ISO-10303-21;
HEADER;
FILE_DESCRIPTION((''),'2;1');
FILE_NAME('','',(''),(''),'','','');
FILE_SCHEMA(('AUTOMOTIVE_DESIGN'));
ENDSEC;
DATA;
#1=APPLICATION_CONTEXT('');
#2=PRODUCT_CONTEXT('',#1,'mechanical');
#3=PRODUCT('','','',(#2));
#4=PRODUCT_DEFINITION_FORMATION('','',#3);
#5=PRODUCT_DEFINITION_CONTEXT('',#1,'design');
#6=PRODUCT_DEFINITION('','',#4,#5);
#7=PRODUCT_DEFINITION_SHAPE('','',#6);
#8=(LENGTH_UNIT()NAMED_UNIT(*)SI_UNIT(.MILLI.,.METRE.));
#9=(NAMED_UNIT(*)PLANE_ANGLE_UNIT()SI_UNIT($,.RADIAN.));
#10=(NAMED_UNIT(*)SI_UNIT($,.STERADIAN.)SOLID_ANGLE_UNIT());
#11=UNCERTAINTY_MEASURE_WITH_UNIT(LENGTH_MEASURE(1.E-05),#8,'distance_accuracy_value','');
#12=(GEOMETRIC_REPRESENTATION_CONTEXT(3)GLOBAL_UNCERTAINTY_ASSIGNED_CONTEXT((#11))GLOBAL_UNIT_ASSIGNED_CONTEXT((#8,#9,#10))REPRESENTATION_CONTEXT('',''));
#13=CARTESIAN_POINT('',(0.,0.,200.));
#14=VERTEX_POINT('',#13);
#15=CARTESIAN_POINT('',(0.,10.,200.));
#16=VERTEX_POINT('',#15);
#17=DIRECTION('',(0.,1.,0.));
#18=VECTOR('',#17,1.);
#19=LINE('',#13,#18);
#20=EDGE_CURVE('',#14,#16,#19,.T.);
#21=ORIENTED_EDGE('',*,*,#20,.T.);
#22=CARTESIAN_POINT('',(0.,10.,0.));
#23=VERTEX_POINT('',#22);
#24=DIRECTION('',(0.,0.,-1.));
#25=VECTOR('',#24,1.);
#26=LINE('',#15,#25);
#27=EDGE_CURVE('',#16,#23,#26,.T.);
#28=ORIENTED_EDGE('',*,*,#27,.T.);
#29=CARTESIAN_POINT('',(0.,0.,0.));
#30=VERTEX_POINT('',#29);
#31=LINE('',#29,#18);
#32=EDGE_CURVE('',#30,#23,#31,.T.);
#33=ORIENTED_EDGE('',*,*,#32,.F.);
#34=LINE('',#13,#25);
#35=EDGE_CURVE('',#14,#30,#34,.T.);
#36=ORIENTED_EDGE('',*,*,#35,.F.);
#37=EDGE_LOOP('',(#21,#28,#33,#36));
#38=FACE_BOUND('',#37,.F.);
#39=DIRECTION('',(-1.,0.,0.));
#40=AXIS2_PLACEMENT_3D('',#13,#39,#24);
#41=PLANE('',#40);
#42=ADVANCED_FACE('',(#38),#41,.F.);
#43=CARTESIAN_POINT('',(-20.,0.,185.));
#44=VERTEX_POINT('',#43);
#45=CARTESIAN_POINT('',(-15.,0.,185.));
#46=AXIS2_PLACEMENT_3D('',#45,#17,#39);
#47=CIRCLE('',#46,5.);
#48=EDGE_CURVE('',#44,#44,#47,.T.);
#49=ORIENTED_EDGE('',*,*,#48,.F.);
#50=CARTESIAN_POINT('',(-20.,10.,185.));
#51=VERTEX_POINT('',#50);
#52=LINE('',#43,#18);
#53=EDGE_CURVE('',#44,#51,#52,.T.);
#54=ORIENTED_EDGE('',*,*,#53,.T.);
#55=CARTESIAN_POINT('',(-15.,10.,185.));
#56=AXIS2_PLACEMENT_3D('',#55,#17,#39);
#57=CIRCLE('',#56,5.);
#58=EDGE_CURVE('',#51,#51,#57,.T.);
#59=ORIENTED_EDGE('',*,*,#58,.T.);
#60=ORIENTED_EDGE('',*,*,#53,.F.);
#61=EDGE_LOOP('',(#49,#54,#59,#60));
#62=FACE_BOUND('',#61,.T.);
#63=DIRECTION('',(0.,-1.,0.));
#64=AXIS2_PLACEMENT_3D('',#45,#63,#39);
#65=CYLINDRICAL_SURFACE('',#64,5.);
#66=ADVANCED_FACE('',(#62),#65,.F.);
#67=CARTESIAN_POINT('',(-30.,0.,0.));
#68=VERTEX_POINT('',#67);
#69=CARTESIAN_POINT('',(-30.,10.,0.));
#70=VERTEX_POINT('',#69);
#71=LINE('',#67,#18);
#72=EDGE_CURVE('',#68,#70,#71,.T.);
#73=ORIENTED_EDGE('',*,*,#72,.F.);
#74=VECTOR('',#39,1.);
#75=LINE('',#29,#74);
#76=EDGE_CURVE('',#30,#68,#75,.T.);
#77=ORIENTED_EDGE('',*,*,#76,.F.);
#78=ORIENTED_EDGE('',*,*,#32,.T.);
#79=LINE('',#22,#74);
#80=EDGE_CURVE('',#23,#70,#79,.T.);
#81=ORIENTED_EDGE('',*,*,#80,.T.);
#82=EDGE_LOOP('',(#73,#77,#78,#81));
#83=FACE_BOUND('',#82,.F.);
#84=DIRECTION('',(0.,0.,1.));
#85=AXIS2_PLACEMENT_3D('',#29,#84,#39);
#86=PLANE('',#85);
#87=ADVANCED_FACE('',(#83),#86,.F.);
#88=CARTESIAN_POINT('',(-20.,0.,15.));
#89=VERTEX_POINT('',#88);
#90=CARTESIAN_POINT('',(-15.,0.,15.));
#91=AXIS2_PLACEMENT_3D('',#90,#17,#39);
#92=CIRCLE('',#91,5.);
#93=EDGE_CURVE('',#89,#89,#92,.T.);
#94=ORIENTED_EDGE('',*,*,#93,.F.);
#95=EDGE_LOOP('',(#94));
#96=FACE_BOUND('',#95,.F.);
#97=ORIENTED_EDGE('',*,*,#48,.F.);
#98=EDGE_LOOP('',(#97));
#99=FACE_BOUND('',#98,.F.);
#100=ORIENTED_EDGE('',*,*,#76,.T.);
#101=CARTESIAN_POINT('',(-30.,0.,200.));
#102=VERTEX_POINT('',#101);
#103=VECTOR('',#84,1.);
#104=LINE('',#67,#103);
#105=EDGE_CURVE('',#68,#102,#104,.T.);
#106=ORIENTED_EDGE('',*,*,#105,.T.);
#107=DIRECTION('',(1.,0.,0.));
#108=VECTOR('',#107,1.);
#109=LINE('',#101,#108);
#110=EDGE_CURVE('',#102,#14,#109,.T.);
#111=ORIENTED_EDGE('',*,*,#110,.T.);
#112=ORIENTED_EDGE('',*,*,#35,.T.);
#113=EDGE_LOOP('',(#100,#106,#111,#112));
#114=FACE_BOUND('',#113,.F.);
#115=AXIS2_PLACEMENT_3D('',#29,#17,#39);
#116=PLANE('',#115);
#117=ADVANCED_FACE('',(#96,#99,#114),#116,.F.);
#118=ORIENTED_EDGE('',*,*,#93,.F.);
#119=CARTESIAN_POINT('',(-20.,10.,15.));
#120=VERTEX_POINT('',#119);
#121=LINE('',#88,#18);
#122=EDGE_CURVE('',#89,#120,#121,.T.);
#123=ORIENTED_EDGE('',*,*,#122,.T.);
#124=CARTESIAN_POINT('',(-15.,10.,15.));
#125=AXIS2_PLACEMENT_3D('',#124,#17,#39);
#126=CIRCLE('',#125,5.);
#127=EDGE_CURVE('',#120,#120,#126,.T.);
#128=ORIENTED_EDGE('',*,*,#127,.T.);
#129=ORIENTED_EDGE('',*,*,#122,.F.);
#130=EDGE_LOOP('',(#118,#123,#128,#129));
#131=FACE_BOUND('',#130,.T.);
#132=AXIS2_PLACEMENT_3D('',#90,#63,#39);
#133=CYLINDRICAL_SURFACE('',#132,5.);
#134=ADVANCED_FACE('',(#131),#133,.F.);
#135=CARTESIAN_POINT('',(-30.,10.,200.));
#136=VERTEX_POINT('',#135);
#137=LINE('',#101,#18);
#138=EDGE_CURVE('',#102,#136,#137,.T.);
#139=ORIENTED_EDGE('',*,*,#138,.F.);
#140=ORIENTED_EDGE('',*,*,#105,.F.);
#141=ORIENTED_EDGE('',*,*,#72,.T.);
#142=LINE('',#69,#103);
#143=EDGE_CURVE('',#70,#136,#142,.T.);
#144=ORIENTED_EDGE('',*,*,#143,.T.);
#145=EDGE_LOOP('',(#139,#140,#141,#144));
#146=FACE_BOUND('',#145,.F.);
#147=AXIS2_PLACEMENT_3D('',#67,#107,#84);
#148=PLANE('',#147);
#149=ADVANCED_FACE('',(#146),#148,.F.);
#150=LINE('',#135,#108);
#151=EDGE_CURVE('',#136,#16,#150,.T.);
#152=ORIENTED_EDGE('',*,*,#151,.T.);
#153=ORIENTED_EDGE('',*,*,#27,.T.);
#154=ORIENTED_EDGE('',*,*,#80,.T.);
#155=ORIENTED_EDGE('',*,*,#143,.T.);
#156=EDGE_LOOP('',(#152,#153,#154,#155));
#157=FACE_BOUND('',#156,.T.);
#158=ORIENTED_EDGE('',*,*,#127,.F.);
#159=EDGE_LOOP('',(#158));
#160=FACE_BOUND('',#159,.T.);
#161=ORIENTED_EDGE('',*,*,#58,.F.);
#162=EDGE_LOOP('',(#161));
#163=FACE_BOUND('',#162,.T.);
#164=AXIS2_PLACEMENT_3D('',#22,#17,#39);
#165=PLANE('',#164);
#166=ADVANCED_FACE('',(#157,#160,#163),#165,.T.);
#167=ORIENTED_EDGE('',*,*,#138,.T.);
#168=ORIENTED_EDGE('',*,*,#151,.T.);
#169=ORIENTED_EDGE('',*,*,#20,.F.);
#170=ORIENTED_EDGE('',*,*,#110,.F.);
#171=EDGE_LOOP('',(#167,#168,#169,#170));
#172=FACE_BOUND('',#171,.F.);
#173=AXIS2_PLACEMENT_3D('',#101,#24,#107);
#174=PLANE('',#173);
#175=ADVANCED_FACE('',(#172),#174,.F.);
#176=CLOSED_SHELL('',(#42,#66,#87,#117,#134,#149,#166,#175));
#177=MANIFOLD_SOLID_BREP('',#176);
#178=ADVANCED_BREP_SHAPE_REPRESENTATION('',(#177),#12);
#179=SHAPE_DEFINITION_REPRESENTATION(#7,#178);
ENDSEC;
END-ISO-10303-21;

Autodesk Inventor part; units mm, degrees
ref_plane "YZ Plane" through (0, 0, 0) normal (1, 0, 0) x (0, 1, 0)
ref_plane "XZ Plane" through (0, 0, 0) normal (0, 1, 0) x (-1, 0, 0)
ref_plane "XY Plane" through (0, 0, 0) normal (0, 0, 1) x (1, 0, 0)
sketch "Block1" plane through (0, 0, 0) normal (0, 0, 1) x (1, 0, 0)
  line L0 (0.22, -200.22) -> (-30.22, -200.22)
  line L1 (-30.22, -200.22) -> (-30.22, 0.22)
  line L2 (-30.22, 0.22) -> (0.22, 0.22)
  line L3 (0.22, 0.22) -> (0.22, -200.22)
  circle A0 centre (-15, -185) radius 5.22
  circle A1 centre (-15, -15) radius 5.22
  point P0 (-15, -100)
sketch "Sketch1" plane through (0, 0, 0) normal (0, 1, 0) x (-1, 0, 0)
  line L0 (0, 0) -> (30, 0)
  line L1 (30, 0) -> (30, 200)
  line L2 (30, 200) -> (0, 200)
  line L3 (0, 200) -> (0, 0)
  circle A0 centre (15, 185) radius 5
  circle A1 centre (15, 15) radius 5
  dimension "d0" = 30
  dimension "d1" = 200
  dimension "d2" = 10
  dimension "d3" = 10
  dimension "d4" = 15
  dimension "d5" = 15
extrude "Extrusion1" add sketch "Sketch1" along normal blind 10
sketch "Sketch2" plane through (0, 10, 0) normal (0, 1, 0) x (1, 0, 0)
  circle A0 centre (-15, -15) radius 5 projected
  circle A1 centre (-15, -185) radius 5 projected
  line L0 (0, 0) -> (-30, 0) projected
  line L1 (-30, 0) -> (-30, -200) projected
  line L2 (-30, -200) -> (0, -200) projected
  line L3 (0, -200) -> (0, 0) projected
sketch "Sketch3" plane through (0, 0, 0) normal (0, 1, 0) x (-1, 0, 0)
  point P0 (0, 0)
properties part number "mallet_sideplate"
